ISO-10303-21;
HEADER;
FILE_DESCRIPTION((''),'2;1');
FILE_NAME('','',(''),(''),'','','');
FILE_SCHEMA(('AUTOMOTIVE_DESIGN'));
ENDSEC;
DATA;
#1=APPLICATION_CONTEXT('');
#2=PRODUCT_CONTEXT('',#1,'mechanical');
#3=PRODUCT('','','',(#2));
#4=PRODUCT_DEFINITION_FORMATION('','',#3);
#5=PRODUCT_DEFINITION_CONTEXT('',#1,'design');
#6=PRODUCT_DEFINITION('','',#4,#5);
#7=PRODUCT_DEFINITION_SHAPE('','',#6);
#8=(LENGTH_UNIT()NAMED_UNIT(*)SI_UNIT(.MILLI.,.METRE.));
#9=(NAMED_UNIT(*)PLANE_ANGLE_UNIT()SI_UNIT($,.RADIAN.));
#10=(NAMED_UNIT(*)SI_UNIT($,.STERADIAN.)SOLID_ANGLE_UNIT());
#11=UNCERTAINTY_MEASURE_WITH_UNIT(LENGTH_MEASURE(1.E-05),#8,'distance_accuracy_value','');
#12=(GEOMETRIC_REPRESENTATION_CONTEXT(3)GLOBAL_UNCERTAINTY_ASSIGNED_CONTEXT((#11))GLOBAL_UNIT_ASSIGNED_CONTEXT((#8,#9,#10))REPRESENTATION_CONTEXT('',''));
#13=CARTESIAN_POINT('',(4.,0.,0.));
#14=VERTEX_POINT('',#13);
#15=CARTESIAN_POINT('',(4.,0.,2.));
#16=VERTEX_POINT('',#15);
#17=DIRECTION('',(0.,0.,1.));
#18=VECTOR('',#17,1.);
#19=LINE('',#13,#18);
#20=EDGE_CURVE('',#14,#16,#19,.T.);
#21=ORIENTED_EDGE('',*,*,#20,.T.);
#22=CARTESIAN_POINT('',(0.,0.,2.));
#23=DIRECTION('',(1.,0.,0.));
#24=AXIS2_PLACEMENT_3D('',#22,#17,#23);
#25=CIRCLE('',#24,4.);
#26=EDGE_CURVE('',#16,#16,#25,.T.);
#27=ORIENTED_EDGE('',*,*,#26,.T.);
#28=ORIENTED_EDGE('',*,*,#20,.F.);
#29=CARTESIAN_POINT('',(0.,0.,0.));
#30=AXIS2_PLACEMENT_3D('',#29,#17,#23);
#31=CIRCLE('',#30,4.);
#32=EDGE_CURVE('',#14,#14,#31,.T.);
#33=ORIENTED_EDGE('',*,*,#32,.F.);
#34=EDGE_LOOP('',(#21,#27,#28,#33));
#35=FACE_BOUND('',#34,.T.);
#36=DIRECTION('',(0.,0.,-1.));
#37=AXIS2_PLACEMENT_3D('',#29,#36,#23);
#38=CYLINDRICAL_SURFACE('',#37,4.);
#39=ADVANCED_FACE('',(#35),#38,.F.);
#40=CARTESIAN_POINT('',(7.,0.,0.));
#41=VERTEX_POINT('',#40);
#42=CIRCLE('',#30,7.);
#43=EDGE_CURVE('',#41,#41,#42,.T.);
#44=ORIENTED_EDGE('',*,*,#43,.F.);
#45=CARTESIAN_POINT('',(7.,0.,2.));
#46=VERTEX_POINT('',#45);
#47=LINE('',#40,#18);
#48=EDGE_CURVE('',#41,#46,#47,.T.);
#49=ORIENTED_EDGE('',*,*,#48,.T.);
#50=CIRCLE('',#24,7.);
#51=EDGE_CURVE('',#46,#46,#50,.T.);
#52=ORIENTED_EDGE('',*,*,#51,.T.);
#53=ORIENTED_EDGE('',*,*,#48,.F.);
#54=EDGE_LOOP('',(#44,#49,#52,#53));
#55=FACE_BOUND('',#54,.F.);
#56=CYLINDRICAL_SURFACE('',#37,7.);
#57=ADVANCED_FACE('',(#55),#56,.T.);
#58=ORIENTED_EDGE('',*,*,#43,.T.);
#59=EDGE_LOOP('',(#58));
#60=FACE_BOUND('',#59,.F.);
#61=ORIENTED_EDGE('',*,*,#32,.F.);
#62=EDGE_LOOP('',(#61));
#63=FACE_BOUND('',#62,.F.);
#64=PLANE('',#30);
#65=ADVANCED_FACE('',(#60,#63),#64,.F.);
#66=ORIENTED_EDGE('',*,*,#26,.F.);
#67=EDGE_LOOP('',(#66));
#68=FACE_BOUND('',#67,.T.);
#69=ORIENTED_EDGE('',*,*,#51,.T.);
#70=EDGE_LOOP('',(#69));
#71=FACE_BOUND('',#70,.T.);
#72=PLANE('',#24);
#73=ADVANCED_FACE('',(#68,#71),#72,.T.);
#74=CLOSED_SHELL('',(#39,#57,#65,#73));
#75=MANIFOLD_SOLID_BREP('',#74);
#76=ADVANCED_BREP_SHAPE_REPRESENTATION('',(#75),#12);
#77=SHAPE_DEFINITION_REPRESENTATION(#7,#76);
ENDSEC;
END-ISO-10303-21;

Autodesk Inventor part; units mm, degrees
ref_plane "YZ Plane" through (0, 0, 0) normal (1, 0, 0) x (0, 1, 0)
ref_plane "XZ Plane" through (0, 0, 0) normal (0, 1, 0) x (-1, 0, 0)
ref_plane "XY Plane" through (0, 0, 0) normal (0, 0, 1) x (1, 0, 0)
sketch "Sketch1" plane through (0, 0, 0) normal (0, 0, 1) x (1, 0, 0)
  circle A0 centre (0, 0) radius 4
  circle A1 centre (0, 0) radius 7
  dimension "d0" = 8
  dimension "d1" = 14
extrude "Extrusion1" add sketch "Sketch1" along normal blind 2
properties part number "rockerwasher"
